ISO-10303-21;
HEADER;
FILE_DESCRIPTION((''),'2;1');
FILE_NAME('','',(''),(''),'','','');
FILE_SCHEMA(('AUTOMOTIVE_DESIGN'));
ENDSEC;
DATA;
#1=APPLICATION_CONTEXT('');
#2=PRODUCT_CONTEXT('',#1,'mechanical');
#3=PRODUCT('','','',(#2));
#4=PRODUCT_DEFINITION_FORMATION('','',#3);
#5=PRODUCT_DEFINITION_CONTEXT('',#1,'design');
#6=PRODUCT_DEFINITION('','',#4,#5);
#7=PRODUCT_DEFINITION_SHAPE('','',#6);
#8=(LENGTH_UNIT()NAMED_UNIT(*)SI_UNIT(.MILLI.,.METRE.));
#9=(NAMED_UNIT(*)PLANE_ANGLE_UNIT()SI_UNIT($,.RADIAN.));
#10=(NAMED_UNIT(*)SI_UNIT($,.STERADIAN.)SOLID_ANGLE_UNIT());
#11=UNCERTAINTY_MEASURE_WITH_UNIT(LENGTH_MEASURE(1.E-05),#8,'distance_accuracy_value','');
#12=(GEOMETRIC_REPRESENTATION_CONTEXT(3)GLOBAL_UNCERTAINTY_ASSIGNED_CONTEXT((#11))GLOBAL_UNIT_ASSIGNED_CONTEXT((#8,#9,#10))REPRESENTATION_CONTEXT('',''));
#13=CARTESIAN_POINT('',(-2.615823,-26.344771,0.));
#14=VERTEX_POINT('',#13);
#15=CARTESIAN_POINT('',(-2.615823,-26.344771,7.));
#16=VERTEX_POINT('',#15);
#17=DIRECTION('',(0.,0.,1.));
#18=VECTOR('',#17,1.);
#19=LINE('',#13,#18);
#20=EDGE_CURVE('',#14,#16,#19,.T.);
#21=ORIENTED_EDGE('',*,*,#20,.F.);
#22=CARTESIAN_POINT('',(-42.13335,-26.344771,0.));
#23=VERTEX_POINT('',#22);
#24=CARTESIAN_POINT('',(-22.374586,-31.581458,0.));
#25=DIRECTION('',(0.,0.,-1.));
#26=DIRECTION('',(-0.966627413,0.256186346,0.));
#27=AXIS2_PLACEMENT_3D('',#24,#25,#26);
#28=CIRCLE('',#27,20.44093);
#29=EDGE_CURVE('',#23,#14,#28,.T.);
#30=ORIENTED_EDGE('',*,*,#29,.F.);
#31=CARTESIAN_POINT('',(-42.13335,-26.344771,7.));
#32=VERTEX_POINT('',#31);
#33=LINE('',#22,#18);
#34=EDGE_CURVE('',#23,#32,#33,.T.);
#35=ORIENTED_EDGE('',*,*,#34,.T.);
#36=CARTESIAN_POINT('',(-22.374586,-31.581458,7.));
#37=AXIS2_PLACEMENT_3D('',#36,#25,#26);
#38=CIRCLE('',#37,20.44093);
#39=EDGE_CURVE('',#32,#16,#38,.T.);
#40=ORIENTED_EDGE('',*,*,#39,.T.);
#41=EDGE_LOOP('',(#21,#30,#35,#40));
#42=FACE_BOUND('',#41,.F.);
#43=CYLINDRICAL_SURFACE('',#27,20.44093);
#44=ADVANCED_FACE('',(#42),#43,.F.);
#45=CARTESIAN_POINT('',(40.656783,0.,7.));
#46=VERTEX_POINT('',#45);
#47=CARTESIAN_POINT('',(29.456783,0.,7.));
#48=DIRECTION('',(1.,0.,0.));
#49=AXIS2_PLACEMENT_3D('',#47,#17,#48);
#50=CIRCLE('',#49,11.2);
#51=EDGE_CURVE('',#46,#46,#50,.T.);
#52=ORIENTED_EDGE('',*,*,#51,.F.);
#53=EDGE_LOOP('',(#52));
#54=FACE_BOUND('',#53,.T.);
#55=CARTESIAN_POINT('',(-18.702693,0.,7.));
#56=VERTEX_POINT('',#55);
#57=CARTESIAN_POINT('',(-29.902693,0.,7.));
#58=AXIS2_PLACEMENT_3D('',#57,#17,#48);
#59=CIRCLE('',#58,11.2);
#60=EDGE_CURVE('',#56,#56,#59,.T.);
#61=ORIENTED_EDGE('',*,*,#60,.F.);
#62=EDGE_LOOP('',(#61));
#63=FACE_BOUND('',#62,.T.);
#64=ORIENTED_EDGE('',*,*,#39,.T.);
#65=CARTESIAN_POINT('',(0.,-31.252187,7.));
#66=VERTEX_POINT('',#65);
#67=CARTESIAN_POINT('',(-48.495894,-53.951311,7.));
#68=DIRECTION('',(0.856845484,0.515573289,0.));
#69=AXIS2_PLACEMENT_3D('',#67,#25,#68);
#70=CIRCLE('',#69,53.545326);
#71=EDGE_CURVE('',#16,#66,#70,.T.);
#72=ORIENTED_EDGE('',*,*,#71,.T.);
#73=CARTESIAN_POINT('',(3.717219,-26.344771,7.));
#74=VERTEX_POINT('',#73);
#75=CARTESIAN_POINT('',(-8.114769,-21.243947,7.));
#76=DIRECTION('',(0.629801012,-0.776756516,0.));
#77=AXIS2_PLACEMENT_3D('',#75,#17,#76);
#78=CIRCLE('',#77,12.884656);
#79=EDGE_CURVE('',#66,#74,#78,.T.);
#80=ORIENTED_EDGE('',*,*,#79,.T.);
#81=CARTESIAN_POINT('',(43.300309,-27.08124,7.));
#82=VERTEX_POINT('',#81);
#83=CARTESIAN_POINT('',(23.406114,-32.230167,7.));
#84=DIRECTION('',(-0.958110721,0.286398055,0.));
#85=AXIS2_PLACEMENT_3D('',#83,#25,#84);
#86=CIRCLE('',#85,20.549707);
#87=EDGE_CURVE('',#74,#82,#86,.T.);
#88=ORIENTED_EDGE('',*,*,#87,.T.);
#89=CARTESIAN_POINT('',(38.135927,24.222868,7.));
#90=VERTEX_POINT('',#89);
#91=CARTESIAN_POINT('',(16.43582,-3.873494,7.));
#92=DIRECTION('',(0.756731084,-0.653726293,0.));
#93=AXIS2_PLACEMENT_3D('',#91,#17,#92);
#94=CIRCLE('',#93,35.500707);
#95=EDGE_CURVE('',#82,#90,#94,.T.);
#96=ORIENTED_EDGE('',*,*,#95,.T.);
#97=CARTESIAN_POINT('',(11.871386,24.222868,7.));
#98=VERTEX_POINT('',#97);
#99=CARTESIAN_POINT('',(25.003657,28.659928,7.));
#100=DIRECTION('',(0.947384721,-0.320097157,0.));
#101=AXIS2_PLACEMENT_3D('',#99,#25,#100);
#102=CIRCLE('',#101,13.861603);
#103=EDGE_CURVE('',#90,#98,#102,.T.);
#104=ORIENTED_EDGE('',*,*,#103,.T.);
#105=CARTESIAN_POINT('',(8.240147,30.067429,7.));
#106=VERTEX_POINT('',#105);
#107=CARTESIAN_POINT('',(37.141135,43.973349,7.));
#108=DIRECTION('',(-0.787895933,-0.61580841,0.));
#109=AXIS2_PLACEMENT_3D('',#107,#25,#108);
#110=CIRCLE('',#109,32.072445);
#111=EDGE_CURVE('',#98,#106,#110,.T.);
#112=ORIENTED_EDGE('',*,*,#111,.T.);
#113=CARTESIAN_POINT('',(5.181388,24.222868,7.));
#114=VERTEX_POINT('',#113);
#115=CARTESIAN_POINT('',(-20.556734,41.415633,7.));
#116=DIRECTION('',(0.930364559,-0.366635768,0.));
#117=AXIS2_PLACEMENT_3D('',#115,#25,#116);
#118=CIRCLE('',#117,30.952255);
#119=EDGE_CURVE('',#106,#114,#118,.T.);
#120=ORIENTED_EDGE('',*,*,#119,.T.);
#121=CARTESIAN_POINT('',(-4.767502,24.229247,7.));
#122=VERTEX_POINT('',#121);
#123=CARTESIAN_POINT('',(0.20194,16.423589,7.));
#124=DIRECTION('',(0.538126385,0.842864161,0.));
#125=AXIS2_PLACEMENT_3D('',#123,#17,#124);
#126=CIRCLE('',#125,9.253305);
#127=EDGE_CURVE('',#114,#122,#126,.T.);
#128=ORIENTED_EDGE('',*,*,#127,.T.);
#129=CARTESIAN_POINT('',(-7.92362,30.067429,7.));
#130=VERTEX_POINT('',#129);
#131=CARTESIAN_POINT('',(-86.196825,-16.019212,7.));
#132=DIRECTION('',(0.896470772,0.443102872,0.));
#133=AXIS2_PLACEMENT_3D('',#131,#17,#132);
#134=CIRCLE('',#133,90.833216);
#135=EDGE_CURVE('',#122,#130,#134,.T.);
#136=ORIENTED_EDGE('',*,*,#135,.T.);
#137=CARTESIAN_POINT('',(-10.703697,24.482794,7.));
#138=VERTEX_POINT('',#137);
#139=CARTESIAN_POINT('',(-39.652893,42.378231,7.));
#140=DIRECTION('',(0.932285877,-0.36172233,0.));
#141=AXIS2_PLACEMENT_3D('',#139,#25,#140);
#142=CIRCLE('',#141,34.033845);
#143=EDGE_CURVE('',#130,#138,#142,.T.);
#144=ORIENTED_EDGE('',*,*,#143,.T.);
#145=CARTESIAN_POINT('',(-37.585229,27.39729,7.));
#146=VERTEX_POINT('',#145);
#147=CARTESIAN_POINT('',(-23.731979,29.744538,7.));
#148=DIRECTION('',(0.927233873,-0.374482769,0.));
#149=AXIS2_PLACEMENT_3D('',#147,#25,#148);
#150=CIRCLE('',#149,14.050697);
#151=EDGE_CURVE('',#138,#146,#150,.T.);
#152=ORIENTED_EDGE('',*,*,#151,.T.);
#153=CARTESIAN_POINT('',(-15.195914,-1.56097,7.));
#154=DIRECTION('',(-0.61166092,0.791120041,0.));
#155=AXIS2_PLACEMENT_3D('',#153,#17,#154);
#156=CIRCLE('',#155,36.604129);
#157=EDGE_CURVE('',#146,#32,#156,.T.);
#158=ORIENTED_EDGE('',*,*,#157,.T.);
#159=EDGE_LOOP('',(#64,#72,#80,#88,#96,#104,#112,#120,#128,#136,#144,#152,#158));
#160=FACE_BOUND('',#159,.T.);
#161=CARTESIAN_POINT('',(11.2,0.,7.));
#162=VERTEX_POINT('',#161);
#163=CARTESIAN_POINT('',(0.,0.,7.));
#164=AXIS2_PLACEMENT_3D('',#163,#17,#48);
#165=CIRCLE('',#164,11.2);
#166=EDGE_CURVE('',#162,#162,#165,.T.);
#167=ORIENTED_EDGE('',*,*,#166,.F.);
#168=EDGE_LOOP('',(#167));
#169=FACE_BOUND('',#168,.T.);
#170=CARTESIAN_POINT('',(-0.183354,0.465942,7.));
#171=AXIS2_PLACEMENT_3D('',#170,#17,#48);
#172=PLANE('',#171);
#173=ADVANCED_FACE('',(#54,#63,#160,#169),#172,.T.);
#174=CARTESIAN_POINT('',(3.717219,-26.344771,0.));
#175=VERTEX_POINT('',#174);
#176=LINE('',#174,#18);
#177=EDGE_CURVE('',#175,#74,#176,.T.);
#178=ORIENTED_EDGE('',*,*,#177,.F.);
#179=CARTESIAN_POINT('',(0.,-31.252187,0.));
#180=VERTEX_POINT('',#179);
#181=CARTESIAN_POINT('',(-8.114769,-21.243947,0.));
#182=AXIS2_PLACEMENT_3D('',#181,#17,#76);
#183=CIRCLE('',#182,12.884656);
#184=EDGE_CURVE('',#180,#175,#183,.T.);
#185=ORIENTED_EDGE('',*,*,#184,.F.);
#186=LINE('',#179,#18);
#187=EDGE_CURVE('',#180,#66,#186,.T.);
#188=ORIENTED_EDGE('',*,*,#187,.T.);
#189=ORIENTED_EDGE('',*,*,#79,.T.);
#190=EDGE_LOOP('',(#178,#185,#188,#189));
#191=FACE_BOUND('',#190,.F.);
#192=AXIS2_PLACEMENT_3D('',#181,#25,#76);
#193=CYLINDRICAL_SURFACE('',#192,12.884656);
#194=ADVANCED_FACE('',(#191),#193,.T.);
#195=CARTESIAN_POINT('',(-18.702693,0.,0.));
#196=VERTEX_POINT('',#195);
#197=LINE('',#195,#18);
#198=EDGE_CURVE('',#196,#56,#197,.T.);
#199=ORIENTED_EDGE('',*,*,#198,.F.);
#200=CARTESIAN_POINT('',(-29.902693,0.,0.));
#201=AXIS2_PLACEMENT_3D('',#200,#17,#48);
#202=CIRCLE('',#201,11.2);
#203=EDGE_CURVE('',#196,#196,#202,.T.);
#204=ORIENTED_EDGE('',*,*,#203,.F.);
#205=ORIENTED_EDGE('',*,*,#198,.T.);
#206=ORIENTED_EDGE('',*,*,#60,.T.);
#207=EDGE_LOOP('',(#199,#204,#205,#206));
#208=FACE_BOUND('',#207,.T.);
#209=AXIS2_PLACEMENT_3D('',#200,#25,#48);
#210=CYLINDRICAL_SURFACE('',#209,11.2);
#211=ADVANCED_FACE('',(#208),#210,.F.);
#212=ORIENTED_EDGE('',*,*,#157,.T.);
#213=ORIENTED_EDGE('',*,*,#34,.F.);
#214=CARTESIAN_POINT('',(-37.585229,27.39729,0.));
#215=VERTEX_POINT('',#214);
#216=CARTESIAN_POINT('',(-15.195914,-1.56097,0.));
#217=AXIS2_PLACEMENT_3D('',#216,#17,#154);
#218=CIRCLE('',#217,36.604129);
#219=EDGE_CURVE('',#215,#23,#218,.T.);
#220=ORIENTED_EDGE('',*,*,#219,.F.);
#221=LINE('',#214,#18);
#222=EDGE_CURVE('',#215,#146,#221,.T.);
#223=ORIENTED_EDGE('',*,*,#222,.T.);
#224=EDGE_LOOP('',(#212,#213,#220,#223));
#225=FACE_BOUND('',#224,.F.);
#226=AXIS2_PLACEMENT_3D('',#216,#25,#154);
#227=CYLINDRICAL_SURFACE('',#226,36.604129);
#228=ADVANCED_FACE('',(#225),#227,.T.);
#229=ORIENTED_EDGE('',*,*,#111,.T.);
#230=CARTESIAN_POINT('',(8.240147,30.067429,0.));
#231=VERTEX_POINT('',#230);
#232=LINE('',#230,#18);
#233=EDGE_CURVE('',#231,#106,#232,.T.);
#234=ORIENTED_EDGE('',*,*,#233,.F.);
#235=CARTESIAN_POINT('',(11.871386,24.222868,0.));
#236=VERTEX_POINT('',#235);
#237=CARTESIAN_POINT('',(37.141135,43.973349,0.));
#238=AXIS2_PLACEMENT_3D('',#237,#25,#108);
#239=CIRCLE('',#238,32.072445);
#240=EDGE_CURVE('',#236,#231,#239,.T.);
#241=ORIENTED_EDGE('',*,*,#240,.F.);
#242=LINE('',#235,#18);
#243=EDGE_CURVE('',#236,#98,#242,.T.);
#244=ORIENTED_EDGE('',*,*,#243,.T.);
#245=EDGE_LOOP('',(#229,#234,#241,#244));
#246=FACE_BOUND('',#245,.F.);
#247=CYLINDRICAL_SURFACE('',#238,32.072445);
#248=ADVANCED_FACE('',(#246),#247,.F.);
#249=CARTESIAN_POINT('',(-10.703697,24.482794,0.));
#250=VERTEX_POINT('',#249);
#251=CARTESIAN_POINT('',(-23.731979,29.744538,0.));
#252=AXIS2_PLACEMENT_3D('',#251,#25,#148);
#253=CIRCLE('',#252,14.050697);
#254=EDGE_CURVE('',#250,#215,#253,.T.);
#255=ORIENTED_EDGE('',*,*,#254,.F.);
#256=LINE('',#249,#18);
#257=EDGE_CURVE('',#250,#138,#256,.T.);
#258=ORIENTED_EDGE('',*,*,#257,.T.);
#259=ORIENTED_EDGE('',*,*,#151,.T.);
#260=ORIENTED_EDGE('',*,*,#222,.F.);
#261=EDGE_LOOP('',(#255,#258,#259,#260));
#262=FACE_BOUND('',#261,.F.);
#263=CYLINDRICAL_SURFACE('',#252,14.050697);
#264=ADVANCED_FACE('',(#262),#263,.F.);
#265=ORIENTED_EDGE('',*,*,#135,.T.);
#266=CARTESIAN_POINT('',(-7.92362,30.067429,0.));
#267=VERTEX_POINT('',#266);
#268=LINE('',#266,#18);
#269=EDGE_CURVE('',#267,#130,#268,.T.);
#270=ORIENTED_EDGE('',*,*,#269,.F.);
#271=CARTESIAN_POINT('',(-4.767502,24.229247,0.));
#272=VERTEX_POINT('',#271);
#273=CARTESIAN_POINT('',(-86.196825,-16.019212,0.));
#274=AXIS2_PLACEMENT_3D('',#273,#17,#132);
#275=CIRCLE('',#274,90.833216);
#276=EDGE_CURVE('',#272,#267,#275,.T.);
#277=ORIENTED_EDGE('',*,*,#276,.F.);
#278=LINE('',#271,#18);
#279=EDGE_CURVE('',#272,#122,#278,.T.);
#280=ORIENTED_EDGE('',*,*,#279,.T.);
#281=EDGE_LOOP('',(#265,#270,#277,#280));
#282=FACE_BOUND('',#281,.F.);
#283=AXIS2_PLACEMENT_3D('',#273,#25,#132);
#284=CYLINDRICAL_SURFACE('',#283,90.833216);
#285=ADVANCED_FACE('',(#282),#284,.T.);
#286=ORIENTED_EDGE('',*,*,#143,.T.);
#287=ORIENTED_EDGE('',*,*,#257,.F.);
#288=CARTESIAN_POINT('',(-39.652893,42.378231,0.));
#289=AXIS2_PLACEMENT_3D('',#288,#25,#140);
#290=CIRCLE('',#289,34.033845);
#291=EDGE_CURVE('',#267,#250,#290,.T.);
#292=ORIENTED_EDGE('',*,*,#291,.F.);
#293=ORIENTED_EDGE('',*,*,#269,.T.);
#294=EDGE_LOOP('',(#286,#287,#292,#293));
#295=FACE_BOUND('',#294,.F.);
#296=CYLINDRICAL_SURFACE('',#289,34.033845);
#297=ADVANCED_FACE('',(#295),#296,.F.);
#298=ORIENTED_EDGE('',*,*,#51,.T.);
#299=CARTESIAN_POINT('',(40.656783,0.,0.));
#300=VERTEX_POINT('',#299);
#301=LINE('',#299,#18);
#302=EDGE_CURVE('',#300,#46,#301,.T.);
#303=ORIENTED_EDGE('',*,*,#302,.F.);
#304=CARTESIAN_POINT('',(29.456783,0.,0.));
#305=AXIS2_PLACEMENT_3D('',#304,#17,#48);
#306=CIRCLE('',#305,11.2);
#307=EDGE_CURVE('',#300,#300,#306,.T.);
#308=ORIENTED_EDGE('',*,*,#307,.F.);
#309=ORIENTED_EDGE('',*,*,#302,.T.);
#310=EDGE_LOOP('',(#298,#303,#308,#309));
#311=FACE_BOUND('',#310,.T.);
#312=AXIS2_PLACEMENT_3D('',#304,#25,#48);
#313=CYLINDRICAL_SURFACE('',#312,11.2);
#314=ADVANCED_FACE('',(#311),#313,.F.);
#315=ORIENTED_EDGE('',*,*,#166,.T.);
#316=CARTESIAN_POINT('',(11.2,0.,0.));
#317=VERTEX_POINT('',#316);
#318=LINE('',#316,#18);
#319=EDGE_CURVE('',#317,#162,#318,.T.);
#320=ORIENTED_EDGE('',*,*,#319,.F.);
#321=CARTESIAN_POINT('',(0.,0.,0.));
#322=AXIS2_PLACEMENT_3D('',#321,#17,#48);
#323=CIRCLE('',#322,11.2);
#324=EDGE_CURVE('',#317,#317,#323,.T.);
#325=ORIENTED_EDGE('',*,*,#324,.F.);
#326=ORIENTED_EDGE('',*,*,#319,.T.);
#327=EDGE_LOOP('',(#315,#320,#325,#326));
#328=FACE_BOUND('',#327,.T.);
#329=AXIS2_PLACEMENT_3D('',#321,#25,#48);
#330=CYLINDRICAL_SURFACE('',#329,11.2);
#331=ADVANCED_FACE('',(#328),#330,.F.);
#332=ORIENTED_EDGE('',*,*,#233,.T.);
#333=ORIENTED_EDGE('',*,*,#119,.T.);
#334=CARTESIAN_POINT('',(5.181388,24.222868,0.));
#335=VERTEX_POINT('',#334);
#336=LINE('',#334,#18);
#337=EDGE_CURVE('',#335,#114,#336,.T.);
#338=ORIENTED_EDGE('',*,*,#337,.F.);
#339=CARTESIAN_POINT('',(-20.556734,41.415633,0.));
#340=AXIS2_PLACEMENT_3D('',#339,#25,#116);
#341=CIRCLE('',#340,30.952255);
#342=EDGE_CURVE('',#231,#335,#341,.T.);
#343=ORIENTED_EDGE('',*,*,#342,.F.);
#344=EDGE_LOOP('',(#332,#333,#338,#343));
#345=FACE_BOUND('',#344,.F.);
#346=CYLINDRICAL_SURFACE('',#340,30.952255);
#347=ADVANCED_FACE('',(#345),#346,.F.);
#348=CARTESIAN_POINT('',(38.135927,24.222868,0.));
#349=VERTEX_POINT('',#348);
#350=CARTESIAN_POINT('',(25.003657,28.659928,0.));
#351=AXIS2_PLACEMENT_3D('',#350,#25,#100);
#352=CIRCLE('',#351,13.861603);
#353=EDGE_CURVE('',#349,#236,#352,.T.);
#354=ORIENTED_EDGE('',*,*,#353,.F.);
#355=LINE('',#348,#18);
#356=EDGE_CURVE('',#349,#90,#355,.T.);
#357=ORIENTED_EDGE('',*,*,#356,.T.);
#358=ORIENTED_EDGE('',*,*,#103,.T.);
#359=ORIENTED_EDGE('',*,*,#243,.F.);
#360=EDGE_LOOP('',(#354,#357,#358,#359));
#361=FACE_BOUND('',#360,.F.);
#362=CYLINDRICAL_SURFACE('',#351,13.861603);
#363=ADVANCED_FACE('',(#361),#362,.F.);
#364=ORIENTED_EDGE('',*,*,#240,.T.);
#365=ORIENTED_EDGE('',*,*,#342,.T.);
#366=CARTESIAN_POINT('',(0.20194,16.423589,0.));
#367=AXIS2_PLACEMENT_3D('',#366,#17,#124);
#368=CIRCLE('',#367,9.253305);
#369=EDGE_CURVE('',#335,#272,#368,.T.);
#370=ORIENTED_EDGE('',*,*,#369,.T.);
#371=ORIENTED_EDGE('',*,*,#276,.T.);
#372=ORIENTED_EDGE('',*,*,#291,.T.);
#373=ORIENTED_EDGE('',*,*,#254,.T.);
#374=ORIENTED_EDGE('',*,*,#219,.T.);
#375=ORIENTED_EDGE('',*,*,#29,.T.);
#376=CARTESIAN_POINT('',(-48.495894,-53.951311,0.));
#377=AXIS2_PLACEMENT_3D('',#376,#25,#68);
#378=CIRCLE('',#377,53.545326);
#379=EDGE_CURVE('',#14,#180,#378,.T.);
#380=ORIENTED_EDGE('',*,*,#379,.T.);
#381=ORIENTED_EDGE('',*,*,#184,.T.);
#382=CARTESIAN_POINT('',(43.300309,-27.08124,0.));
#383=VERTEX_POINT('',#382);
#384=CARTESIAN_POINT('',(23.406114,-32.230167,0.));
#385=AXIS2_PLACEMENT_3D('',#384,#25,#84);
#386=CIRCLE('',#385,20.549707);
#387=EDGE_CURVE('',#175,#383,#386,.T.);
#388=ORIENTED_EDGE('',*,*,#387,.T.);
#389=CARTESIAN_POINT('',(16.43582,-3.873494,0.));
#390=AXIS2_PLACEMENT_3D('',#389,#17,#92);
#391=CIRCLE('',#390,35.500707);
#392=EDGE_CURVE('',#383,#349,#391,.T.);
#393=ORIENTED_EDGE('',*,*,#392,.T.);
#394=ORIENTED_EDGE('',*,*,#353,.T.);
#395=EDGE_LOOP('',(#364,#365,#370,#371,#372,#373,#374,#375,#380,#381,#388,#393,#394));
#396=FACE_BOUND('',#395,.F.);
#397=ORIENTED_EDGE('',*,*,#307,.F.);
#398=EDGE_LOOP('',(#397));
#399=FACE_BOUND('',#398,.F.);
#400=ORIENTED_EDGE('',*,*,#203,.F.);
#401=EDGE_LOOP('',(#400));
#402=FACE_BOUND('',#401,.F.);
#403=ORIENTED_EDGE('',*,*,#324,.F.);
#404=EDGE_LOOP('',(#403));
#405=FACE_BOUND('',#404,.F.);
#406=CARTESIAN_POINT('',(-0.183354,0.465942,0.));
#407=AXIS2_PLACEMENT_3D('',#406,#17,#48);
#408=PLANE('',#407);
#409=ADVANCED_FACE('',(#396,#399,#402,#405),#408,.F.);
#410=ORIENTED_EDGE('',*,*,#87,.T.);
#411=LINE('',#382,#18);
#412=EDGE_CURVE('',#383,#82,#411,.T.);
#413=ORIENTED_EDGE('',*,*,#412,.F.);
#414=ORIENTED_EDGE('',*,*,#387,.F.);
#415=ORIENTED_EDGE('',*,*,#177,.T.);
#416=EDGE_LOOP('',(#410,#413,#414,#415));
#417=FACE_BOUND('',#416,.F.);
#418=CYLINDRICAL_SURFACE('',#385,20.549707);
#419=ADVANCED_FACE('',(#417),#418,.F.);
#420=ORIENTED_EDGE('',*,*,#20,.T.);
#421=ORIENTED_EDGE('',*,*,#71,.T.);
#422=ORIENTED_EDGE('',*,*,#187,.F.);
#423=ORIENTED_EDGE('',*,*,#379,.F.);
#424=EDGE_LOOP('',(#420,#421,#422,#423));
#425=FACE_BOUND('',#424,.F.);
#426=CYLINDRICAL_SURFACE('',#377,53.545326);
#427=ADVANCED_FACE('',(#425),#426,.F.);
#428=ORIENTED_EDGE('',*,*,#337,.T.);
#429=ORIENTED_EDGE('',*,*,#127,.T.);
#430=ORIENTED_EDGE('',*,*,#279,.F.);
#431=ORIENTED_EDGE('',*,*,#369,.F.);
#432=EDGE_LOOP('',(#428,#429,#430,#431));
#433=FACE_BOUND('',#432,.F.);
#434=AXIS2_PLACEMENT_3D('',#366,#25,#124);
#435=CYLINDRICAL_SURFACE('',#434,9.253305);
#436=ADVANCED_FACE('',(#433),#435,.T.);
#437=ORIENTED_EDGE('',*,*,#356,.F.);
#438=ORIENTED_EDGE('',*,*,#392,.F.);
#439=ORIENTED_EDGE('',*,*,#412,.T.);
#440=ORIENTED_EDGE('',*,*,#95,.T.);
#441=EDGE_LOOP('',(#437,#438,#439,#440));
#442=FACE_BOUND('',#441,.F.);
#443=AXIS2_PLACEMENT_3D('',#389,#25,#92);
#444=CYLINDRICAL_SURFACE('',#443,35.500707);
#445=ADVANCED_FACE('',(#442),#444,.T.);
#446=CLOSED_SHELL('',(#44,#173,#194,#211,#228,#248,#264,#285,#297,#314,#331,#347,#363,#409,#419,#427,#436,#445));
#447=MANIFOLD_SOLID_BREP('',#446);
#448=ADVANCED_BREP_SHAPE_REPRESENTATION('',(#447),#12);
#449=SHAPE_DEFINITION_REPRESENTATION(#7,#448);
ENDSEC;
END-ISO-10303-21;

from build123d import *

# Parameters (mm, degrees)
F0_R     = 11.2
F1_DEPTH = 7


with BuildPart() as f1:
    # F0 (on Top) → F1 (new body)
    with BuildSketch(Plane.XY):
        with BuildLine():
            ThreePointArc((8.240147, 30.067429), (6.866912, 27.06343), (5.181388, 24.222868))
            ThreePointArc((5.181388, 24.222868), (0.207873, 25.676892), (-4.767502, 24.229247))
            ThreePointArc((-4.767502, 24.229247), (-6.292223, 27.177173), (-7.92362, 30.067429))
            ThreePointArc((-7.92362, 30.067429), (-9.185432, 27.211279), (-10.703697, 24.482794))
            ThreePointArc((-10.703697, 24.482794), (-25.246481, 15.775702), (-37.585229, 27.39729))
            ThreePointArc((-37.585229, 27.39729), (-51.669663, 1.525756), (-42.13335, -26.344771))
            ThreePointArc((-42.13335, -26.344771), (-22.374586, -11.140528), (-2.615823, -26.344771))
            ThreePointArc((-2.615823, -26.344771), (-1.24416, -28.764497), (0, -31.252187))
            ThreePointArc((0, -31.252187), (2.156013, -29.023753), (3.717219, -26.344771))
            ThreePointArc((3.717219, -26.344771), (23.788388, -11.684016), (43.300309, -27.08124))
            ThreePointArc((43.300309, -27.08124), (51.758021, -0.317886), (38.135927, 24.222868))
            ThreePointArc((38.135927, 24.222868), (25.003657, 14.798325), (11.871386, 24.222868))
            ThreePointArc((11.871386, 24.222868), (9.898578, 27.047487), (8.240147, 30.067429))
        make_face()
        with Locations((-29.902693, 0)):
            Circle(F0_R, mode=Mode.SUBTRACT)
        Circle(F0_R, mode=Mode.SUBTRACT)
        with Locations((29.456783, 0)):
            Circle(F0_R, mode=Mode.SUBTRACT)
    extrude(amount=F1_DEPTH)


solid = f1.part
